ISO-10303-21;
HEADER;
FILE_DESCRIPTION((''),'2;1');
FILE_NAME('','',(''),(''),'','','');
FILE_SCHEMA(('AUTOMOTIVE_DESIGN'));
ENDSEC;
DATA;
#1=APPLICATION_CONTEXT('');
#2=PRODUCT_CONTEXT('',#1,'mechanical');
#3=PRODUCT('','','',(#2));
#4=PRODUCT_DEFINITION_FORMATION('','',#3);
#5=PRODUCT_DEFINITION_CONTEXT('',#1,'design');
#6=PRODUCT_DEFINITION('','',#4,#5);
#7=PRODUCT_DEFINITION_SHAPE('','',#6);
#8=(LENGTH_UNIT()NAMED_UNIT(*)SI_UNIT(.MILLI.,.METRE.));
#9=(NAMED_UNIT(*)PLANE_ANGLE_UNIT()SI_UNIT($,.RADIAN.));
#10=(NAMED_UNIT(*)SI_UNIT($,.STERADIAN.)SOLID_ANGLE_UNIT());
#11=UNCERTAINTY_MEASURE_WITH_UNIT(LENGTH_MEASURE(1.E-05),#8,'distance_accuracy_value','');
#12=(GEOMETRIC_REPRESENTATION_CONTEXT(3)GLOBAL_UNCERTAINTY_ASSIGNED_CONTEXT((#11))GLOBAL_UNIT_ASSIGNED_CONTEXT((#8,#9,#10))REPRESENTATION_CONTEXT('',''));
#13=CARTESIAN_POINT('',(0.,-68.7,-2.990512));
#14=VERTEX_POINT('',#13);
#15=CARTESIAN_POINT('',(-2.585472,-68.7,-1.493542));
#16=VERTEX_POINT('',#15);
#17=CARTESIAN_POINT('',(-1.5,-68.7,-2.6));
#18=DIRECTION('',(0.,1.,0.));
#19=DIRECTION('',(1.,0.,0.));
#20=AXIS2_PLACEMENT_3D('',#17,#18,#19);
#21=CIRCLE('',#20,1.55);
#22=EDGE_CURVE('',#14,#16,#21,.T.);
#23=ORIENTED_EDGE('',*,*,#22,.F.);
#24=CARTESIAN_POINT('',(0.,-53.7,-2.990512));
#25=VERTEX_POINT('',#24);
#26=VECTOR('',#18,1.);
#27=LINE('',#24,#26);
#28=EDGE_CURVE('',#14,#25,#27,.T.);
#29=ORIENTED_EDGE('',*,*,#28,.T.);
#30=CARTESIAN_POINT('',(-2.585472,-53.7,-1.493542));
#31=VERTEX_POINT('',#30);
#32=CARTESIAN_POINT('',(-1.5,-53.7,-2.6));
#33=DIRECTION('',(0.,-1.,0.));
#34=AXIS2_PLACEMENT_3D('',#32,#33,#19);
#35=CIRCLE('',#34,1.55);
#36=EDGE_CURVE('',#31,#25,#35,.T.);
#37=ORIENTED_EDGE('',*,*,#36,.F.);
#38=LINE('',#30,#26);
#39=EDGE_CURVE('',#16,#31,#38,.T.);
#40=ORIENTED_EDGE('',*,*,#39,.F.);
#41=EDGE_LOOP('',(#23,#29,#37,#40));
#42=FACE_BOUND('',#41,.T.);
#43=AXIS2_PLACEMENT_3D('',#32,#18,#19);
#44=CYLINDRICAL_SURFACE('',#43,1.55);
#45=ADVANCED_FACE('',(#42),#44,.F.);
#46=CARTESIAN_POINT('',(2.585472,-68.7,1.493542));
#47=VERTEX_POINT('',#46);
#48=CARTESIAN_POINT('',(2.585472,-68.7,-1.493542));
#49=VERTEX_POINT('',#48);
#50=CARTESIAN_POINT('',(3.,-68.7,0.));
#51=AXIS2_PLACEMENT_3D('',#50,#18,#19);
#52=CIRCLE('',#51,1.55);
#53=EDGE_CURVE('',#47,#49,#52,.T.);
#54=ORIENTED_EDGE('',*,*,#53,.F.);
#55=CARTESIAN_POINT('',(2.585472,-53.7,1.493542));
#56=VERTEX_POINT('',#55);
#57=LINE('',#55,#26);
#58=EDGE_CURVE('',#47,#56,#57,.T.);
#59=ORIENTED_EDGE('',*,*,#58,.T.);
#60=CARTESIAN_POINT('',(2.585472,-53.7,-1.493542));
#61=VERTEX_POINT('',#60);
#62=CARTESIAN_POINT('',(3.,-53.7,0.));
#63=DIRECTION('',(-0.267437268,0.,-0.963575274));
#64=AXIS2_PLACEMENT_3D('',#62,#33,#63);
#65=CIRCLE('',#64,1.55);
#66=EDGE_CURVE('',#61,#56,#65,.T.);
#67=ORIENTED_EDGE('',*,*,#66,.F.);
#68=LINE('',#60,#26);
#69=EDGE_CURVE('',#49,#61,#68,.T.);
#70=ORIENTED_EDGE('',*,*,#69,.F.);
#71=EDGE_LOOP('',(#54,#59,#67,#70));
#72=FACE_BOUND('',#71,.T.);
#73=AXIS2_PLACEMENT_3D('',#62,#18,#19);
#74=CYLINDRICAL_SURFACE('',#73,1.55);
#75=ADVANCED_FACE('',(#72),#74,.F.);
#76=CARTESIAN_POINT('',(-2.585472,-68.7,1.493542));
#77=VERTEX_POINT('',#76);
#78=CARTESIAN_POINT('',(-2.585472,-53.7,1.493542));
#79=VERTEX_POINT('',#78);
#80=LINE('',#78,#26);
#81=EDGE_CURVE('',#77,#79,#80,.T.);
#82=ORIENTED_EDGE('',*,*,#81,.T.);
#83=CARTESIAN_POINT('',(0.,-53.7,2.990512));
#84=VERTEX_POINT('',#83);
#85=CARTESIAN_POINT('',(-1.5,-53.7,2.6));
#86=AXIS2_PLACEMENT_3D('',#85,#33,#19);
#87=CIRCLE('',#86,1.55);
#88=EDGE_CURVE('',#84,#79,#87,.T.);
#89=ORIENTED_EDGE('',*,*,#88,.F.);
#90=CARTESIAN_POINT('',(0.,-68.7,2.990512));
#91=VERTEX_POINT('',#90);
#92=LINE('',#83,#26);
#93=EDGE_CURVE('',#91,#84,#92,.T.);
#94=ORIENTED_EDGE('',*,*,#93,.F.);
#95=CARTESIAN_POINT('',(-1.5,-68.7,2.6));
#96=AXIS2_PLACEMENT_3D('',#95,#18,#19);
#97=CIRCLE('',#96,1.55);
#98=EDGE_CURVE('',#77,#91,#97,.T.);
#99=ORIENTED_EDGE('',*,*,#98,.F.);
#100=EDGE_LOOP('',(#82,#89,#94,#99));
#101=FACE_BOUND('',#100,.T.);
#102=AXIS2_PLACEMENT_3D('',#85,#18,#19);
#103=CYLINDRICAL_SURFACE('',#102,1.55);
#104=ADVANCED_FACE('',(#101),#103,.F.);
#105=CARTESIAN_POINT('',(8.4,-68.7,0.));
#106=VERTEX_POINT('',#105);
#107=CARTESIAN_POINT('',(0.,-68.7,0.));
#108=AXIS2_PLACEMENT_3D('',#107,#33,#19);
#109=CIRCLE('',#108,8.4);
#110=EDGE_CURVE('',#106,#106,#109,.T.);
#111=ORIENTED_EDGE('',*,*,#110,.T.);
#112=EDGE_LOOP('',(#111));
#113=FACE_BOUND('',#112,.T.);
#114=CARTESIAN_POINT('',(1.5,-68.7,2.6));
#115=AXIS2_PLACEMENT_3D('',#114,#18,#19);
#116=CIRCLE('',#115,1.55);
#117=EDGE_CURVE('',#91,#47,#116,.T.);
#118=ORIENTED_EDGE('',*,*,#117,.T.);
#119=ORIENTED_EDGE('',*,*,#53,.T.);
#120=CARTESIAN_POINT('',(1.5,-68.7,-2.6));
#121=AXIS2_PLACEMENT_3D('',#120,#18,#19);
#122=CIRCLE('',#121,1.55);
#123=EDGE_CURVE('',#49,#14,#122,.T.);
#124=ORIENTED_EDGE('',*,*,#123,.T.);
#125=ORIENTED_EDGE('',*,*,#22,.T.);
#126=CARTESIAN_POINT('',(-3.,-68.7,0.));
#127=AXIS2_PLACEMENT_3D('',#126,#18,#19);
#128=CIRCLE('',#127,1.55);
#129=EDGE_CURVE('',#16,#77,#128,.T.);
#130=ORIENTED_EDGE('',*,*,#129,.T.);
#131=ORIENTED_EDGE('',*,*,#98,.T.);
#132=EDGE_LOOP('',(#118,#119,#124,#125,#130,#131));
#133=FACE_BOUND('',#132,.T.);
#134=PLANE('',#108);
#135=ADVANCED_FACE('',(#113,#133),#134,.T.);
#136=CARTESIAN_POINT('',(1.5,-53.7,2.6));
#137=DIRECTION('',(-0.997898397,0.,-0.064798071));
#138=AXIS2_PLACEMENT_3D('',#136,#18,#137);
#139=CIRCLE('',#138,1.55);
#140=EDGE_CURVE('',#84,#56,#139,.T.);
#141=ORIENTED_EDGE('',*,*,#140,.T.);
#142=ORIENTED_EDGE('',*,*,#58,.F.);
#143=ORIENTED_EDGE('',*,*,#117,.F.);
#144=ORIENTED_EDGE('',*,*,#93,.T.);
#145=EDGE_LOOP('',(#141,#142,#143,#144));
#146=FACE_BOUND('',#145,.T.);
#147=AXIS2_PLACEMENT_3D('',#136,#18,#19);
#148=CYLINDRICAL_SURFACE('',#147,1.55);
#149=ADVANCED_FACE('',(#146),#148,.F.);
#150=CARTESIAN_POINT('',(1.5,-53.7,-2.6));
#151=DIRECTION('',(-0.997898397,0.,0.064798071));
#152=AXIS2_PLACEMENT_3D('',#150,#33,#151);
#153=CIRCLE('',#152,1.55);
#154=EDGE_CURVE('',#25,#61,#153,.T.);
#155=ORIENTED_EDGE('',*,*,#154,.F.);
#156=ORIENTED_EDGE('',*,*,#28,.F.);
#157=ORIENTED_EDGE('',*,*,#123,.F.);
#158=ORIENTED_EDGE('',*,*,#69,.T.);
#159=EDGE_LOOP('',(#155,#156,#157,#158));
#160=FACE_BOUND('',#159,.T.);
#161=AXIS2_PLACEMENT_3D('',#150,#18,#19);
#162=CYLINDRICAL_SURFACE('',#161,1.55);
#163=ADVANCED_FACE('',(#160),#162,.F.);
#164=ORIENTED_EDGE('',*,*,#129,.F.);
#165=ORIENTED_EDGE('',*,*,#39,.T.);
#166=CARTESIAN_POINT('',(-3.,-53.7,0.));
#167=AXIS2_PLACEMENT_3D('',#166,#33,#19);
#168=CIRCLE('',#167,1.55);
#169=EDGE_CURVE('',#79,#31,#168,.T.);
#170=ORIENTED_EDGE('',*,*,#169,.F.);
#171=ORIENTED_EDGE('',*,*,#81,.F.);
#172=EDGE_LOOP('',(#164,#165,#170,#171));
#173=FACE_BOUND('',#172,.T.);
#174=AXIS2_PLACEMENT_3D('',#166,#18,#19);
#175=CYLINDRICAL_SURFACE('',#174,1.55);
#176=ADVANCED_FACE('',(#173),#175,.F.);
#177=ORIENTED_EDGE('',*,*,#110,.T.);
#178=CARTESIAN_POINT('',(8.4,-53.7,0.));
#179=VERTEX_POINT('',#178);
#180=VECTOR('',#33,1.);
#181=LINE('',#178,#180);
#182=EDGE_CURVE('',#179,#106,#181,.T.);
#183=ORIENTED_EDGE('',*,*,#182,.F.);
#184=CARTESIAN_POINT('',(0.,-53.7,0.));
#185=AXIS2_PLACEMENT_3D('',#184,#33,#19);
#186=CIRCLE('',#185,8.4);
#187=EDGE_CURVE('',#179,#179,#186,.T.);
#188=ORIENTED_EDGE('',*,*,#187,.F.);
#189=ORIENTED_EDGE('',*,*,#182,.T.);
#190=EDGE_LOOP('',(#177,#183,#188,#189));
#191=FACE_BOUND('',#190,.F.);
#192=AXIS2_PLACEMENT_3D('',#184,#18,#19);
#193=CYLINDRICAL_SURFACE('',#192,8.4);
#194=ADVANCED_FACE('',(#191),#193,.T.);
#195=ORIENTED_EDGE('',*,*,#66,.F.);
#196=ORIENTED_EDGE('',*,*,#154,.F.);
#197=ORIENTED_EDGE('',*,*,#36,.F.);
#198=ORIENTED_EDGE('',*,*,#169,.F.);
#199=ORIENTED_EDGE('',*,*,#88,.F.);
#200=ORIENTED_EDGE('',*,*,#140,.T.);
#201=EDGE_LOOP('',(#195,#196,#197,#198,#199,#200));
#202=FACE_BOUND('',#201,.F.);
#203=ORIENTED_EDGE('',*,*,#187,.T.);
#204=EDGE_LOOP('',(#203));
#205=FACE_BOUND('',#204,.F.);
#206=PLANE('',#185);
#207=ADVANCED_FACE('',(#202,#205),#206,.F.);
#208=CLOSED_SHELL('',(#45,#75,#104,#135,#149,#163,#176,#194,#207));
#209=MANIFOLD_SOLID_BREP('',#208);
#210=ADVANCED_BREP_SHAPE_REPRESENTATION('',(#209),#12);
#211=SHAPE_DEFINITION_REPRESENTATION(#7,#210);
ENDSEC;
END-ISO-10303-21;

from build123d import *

# Parameters (mm, degrees)
CYLINDER002_R          = 2.5
CYLINDER002_DEPTH      = 17
CYLINDER003_R          = 1.55
CYLINDER003_DEPTH      = 17
CYLINDER004_R          = 1.55
CYLINDER004_DEPTH      = 17
CYLINDER005_R          = 1.55
CYLINDER005_DEPTH      = 17
CYLINDER006_R          = 1.55
CYLINDER006_DEPTH      = 17
CYLINDER007_R          = 1.55
CYLINDER007_DEPTH      = 17
CYLINDER001_R          = 1.55
CYLINDER001_DEPTH      = 17
SKETCH019_R            = 8.4
PAD010_DEPTH           = 15
CUT009_PLACEMENT_ANGLE = 90


with BuildPart() as fibre002:
    # Cylinder002 → Cylinder002 (new body)
    with BuildSketch(Plane.XY):
        Circle(CYLINDER002_R)
    extrude(amount=CYLINDER002_DEPTH)


with BuildPart() as fibre003:
    # Cylinder003 → Cylinder003 (new body)
    with BuildSketch(Plane(origin=(1.5, -2.6, 0), x_dir=(1, 0, 0), z_dir=(0, 0, 1))):
        Circle(CYLINDER003_R)
    extrude(amount=CYLINDER003_DEPTH)


with BuildPart() as fibre004:
    # Cylinder004 → Cylinder004 (new body)
    with BuildSketch(Plane(origin=(3, 0, 0), x_dir=(1, 0, 0), z_dir=(0, 0, 1))):
        Circle(CYLINDER004_R)
    extrude(amount=CYLINDER004_DEPTH)


with BuildPart() as fibre005:
    # Cylinder005 → Cylinder005 (new body)
    with BuildSketch(Plane(origin=(-3, 0, 0), x_dir=(1, 0, 0), z_dir=(0, 0, 1))):
        Circle(CYLINDER005_R)
    extrude(amount=CYLINDER005_DEPTH)


with BuildPart() as fibre006:
    # Cylinder006 → Cylinder006 (new body)
    with BuildSketch(Plane(origin=(-1.5, 2.6, 0), x_dir=(1, 0, 0), z_dir=(0, 0, 1))):
        Circle(CYLINDER006_R)
    extrude(amount=CYLINDER006_DEPTH)


with BuildPart() as fibre007:
    # Cylinder007 → Cylinder007 (new body)
    with BuildSketch(Plane(origin=(-1.5, -2.6, 0), x_dir=(1, 0, 0), z_dir=(0, 0, 1))):
        Circle(CYLINDER007_R)
    extrude(amount=CYLINDER007_DEPTH)


with BuildPart() as fibres:
    # Cylinder001 → Cylinder001 (new body)
    with BuildSketch(Plane(origin=(1.5, 2.6, 0), x_dir=(1, 0, 0), z_dir=(0, 0, 1))):
        Circle(CYLINDER001_R)
    extrude(amount=CYLINDER001_DEPTH)

    # Fusion: union Fibre002, Fibre003, Fibre004, Fibre005, Fibre006, Fibre007
    add(fibre002.part)
    add(fibre003.part)
    add(fibre004.part)
    add(fibre005.part)
    add(fibre006.part)
    add(fibre007.part)


with BuildPart() as fibresholder:
    # Sketch019 → Pad010 (new body)
    with BuildSketch(Plane.XY):
        Circle(SKETCH019_R)
    extrude(amount=PAD010_DEPTH)

    # Cut009: cut Fibres
    add(fibres.part, mode=Mode.SUBTRACT)


with BuildPart() as fibresholder_1:
    # Cut009 placement: moved
    add(fibresholder.part.moved(Location((0, -53.7, 0))).rotate(Axis((0, -53.7, 0), (1, 0, 0)), CUT009_PLACEMENT_ANGLE))


solid = fibresholder_1.part
